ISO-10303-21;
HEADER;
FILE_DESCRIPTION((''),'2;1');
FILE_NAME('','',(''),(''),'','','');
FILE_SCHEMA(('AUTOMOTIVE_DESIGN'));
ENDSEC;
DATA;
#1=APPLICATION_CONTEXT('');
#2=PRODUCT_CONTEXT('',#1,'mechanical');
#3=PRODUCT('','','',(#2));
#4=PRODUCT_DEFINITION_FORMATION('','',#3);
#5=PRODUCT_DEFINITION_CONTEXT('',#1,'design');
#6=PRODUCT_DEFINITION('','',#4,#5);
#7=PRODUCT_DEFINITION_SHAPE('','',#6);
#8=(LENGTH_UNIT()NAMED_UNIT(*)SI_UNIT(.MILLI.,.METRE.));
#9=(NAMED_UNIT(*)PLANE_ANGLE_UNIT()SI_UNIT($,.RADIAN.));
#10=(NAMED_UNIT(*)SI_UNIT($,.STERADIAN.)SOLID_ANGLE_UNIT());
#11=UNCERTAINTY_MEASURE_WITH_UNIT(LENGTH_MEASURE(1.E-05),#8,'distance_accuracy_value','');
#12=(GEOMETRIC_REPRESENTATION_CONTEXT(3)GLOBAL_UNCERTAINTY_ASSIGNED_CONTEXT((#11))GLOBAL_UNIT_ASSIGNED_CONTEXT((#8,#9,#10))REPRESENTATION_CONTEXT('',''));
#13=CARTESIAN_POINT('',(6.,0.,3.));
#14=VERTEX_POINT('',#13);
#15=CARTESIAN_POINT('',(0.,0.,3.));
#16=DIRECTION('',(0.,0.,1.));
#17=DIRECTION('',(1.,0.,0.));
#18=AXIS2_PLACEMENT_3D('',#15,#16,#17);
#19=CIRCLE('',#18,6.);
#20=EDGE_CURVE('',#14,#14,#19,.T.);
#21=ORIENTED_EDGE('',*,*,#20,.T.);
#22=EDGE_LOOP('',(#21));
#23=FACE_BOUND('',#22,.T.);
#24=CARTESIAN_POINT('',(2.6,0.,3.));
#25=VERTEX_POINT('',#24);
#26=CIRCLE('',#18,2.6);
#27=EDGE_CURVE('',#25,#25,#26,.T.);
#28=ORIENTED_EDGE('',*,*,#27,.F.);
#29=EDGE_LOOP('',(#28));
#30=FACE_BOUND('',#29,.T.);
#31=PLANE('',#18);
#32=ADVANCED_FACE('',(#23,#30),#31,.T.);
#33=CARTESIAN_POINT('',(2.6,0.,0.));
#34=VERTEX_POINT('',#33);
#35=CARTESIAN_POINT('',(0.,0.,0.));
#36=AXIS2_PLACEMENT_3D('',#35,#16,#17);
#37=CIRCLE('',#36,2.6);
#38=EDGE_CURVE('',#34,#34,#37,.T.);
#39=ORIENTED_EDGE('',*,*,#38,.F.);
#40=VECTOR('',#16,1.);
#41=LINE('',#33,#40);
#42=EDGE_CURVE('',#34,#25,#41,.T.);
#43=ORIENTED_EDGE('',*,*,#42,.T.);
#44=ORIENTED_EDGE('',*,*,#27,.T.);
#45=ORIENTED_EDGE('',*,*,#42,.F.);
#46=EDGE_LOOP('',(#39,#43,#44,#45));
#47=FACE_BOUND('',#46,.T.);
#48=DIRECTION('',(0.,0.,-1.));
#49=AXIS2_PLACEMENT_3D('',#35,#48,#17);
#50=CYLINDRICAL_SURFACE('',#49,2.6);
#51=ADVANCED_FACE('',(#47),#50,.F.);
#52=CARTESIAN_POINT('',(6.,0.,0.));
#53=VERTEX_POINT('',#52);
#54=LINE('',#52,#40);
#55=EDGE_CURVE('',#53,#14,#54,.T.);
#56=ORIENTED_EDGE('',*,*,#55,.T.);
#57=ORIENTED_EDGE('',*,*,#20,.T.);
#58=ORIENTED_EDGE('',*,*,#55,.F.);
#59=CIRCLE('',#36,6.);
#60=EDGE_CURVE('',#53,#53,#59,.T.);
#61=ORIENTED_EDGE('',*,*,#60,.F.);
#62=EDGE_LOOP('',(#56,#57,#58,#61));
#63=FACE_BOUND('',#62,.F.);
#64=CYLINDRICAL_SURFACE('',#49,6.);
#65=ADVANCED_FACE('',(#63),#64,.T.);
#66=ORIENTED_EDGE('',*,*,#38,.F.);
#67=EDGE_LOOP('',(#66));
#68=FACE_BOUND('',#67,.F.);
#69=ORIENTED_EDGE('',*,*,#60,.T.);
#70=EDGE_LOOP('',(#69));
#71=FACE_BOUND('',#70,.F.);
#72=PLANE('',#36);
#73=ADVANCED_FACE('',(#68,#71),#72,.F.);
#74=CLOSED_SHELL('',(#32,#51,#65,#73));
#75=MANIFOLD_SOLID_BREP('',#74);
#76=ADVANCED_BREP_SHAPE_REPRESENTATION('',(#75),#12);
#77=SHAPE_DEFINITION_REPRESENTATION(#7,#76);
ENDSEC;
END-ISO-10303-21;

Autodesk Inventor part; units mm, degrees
ref_plane "YZ Plane" through (0, 0, 0) normal (1, 0, 0) x (0, 1, 0)
ref_plane "XZ Plane" through (0, 0, 0) normal (0, 1, 0) x (-1, 0, 0)
ref_plane "XY Plane" through (0, 0, 0) normal (0, 0, 1) x (1, 0, 0)
sketch "スケッチ1" plane through (0, 0, 0) normal (0, 0, 1) x (1, 0, 0)
  circle A0 centre (0, 0) radius 2.6
  circle A1 centre (0, 0) radius 6
  dimension "d0" = 5.2
  dimension "d1" = 12
extrude "押し出し1" add sketch "スケッチ1" along normal blind 3
properties part number "UUW-0512-30BH" material "ステンレス鋼 AISI 304"
